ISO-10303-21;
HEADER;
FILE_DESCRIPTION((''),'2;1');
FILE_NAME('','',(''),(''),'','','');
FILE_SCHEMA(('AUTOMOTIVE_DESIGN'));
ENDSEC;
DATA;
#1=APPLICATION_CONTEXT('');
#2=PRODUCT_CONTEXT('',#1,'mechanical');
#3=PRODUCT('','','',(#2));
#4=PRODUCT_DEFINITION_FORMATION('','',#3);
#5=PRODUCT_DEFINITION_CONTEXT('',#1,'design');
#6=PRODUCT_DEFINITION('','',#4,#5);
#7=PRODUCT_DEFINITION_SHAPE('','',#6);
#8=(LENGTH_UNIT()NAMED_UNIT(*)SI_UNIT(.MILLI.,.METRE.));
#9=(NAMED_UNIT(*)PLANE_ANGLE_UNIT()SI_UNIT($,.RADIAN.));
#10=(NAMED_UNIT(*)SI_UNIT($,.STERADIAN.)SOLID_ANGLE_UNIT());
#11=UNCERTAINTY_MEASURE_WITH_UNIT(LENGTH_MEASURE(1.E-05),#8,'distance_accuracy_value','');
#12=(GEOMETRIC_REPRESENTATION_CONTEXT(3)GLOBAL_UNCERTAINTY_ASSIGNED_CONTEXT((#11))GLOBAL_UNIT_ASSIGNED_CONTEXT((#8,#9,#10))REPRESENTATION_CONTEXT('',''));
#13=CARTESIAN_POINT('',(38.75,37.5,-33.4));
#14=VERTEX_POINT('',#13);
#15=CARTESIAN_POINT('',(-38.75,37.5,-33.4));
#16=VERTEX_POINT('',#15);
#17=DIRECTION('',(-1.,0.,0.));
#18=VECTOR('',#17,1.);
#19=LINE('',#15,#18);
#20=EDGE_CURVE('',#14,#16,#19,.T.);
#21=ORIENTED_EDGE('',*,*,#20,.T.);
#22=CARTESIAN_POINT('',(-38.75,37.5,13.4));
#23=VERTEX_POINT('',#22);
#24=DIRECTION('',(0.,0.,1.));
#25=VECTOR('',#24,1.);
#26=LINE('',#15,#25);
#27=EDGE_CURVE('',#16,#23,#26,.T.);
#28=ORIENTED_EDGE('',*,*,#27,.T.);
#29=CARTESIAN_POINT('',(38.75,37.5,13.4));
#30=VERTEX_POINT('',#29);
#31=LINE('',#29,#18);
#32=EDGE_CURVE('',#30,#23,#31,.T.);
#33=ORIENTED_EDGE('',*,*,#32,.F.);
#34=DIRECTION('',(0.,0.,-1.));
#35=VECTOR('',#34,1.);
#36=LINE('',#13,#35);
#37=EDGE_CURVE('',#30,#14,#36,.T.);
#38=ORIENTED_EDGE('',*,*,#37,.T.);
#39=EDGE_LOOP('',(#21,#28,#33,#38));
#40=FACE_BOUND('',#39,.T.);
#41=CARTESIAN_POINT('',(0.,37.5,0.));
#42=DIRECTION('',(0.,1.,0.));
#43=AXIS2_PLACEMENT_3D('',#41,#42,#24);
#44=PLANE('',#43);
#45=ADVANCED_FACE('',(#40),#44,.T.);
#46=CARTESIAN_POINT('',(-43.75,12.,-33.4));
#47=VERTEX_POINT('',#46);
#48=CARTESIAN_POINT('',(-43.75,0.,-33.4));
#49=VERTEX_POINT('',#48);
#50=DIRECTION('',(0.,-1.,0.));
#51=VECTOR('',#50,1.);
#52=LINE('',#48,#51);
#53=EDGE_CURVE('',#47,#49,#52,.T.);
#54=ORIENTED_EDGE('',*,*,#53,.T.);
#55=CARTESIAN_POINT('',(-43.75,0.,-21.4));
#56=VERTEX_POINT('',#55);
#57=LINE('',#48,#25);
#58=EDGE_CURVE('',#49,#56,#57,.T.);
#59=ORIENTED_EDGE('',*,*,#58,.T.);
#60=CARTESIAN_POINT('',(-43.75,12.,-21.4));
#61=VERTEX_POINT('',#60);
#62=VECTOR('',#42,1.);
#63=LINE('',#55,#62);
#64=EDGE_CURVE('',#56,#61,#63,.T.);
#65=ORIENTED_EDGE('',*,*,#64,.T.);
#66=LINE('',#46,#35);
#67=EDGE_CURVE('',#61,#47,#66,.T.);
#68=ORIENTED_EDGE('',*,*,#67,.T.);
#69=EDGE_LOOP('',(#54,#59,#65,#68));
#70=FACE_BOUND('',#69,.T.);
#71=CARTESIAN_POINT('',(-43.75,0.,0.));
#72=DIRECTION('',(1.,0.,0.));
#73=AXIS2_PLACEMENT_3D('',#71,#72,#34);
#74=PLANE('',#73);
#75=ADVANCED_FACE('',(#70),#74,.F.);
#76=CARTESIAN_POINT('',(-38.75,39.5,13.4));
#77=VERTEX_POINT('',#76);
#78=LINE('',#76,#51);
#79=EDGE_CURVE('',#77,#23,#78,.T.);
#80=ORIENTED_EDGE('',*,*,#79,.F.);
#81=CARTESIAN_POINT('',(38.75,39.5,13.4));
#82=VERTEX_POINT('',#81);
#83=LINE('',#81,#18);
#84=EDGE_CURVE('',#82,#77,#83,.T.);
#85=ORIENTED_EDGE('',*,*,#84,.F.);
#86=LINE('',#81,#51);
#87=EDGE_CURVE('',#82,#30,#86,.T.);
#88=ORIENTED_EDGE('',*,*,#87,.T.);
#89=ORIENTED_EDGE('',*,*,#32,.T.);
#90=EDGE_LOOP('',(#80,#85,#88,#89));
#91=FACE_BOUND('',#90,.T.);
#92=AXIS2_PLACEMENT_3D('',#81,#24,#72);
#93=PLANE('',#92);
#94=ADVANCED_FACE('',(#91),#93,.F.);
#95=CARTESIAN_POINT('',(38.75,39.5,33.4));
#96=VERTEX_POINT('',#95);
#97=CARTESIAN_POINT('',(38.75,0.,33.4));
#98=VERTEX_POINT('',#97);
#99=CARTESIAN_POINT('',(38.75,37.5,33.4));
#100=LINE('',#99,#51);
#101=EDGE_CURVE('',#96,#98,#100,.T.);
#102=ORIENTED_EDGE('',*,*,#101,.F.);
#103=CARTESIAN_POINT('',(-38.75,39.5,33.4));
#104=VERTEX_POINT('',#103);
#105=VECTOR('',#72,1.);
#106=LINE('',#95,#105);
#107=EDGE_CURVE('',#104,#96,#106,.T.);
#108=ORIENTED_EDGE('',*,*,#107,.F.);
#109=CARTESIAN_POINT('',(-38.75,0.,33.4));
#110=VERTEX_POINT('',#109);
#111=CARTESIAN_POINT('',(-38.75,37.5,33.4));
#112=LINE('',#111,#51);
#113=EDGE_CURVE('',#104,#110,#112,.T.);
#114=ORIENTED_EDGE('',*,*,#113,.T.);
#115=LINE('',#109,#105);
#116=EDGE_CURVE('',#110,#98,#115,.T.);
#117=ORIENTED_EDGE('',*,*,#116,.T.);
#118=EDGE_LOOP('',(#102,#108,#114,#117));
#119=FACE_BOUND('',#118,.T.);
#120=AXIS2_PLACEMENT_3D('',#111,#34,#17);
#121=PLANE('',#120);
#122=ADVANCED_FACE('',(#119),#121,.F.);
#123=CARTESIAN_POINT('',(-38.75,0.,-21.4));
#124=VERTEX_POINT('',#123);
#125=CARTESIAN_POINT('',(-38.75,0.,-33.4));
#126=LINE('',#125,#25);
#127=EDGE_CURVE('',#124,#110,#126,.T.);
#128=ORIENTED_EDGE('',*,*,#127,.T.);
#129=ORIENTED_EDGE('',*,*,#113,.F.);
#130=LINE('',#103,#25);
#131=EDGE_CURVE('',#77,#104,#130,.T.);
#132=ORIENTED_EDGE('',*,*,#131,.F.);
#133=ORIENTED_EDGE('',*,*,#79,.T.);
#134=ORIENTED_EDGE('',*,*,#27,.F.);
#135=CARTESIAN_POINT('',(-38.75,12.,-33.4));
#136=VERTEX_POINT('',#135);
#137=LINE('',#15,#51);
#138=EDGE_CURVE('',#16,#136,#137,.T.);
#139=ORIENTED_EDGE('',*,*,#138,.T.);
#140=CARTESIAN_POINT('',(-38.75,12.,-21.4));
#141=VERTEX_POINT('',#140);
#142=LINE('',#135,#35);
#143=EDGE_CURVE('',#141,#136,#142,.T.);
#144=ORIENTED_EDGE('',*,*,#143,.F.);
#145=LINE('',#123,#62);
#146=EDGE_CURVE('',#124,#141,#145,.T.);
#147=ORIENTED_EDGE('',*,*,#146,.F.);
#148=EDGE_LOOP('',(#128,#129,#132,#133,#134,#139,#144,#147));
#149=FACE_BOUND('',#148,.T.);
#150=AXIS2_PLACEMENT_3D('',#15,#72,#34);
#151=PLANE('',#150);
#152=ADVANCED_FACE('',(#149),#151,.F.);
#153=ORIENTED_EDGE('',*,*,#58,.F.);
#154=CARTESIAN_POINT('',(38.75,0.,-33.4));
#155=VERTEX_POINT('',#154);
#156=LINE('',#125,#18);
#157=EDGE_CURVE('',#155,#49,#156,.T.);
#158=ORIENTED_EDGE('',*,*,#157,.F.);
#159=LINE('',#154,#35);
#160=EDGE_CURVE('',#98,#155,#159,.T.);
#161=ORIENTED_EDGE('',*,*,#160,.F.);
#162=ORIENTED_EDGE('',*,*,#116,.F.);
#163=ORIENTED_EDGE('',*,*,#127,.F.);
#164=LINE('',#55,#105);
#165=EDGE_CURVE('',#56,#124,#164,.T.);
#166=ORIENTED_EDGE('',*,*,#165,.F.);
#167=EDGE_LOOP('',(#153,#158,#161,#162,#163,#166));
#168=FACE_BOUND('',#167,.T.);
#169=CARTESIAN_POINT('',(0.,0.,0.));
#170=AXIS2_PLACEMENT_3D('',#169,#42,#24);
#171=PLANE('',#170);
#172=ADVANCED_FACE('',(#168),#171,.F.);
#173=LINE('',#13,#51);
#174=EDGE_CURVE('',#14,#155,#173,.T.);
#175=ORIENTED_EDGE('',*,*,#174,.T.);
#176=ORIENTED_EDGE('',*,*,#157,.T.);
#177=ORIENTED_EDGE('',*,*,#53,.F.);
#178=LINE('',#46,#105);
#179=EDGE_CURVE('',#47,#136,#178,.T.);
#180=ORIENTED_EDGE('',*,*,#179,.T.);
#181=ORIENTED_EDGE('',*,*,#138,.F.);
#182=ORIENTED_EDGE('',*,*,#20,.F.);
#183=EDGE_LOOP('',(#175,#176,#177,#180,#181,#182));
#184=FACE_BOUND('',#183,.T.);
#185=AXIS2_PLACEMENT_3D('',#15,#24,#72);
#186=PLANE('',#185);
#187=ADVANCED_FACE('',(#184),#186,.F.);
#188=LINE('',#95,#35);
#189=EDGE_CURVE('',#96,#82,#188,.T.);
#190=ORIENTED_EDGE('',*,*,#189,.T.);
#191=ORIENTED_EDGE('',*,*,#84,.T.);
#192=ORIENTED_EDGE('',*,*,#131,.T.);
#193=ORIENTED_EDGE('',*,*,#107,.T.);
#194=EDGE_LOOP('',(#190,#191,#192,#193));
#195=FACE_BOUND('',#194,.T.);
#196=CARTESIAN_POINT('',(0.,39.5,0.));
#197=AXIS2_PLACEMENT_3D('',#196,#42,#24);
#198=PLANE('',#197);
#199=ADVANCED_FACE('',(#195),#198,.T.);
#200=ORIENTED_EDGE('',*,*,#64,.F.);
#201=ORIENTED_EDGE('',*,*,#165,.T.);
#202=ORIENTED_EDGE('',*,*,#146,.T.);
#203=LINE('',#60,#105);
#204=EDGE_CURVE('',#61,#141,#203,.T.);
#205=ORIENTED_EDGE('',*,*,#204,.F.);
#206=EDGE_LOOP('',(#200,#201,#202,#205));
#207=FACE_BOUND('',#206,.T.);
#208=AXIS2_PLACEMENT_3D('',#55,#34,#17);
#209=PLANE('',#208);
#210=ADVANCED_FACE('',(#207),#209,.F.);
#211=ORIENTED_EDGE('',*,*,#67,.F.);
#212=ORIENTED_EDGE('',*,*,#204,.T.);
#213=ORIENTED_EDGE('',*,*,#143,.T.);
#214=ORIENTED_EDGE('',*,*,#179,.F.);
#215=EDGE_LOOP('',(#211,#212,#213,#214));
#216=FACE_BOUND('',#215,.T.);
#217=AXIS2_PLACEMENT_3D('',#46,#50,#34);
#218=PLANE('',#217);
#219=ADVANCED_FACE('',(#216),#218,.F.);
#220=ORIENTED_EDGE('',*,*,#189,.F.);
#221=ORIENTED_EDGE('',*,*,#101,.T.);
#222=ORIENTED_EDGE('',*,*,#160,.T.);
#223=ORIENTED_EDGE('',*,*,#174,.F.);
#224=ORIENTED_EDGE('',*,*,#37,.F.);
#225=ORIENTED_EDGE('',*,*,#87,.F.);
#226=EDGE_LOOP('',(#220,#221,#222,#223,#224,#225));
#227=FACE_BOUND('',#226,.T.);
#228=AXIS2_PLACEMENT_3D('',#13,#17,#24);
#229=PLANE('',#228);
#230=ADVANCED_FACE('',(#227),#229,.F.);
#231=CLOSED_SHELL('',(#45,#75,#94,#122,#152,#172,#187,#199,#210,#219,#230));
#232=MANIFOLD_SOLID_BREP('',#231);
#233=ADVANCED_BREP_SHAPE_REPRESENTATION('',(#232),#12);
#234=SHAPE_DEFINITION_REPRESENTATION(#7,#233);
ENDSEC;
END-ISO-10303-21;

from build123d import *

# Parameters (mm, degrees)
SKETCH1_W           = 77.5
SKETCH1_H           = 66.8
BOSS_EXTRUDE1_DEPTH = 37.5
SKETCH3_W           = 77.5
SKETCH3_H           = 20
BOSS_EXTRUDE2_DEPTH = 2
SKETCH4_W           = 12
SKETCH4_H           = 12
BOSS_EXTRUDE3_DEPTH = 5


with BuildPart() as part:
    # Sketch1 → Boss-Extrude1 (new body)
    with BuildSketch(Plane(origin=(0, 0, 0), x_dir=(1, 0, 0), z_dir=(0, 1, 0))):
        Rectangle(SKETCH1_W, SKETCH1_H)
    extrude(amount=BOSS_EXTRUDE1_DEPTH)

    # Sketch3 → Boss-Extrude2 (add)
    with BuildSketch(Plane(origin=(0, 37.5, 0), x_dir=(1, 0, 0), z_dir=(0, 1, 0))):
        with Locations((0, -23.4)):
            Rectangle(SKETCH3_W, SKETCH3_H)
    extrude(amount=BOSS_EXTRUDE2_DEPTH)

    # Sketch4 → Boss-Extrude3 (add)
    with BuildSketch(Plane.ZY.offset(38.75)):
        with Locations((-27.4, 6)):
            Rectangle(SKETCH4_W, SKETCH4_H)
    extrude(amount=BOSS_EXTRUDE3_DEPTH)


solid = part.part
